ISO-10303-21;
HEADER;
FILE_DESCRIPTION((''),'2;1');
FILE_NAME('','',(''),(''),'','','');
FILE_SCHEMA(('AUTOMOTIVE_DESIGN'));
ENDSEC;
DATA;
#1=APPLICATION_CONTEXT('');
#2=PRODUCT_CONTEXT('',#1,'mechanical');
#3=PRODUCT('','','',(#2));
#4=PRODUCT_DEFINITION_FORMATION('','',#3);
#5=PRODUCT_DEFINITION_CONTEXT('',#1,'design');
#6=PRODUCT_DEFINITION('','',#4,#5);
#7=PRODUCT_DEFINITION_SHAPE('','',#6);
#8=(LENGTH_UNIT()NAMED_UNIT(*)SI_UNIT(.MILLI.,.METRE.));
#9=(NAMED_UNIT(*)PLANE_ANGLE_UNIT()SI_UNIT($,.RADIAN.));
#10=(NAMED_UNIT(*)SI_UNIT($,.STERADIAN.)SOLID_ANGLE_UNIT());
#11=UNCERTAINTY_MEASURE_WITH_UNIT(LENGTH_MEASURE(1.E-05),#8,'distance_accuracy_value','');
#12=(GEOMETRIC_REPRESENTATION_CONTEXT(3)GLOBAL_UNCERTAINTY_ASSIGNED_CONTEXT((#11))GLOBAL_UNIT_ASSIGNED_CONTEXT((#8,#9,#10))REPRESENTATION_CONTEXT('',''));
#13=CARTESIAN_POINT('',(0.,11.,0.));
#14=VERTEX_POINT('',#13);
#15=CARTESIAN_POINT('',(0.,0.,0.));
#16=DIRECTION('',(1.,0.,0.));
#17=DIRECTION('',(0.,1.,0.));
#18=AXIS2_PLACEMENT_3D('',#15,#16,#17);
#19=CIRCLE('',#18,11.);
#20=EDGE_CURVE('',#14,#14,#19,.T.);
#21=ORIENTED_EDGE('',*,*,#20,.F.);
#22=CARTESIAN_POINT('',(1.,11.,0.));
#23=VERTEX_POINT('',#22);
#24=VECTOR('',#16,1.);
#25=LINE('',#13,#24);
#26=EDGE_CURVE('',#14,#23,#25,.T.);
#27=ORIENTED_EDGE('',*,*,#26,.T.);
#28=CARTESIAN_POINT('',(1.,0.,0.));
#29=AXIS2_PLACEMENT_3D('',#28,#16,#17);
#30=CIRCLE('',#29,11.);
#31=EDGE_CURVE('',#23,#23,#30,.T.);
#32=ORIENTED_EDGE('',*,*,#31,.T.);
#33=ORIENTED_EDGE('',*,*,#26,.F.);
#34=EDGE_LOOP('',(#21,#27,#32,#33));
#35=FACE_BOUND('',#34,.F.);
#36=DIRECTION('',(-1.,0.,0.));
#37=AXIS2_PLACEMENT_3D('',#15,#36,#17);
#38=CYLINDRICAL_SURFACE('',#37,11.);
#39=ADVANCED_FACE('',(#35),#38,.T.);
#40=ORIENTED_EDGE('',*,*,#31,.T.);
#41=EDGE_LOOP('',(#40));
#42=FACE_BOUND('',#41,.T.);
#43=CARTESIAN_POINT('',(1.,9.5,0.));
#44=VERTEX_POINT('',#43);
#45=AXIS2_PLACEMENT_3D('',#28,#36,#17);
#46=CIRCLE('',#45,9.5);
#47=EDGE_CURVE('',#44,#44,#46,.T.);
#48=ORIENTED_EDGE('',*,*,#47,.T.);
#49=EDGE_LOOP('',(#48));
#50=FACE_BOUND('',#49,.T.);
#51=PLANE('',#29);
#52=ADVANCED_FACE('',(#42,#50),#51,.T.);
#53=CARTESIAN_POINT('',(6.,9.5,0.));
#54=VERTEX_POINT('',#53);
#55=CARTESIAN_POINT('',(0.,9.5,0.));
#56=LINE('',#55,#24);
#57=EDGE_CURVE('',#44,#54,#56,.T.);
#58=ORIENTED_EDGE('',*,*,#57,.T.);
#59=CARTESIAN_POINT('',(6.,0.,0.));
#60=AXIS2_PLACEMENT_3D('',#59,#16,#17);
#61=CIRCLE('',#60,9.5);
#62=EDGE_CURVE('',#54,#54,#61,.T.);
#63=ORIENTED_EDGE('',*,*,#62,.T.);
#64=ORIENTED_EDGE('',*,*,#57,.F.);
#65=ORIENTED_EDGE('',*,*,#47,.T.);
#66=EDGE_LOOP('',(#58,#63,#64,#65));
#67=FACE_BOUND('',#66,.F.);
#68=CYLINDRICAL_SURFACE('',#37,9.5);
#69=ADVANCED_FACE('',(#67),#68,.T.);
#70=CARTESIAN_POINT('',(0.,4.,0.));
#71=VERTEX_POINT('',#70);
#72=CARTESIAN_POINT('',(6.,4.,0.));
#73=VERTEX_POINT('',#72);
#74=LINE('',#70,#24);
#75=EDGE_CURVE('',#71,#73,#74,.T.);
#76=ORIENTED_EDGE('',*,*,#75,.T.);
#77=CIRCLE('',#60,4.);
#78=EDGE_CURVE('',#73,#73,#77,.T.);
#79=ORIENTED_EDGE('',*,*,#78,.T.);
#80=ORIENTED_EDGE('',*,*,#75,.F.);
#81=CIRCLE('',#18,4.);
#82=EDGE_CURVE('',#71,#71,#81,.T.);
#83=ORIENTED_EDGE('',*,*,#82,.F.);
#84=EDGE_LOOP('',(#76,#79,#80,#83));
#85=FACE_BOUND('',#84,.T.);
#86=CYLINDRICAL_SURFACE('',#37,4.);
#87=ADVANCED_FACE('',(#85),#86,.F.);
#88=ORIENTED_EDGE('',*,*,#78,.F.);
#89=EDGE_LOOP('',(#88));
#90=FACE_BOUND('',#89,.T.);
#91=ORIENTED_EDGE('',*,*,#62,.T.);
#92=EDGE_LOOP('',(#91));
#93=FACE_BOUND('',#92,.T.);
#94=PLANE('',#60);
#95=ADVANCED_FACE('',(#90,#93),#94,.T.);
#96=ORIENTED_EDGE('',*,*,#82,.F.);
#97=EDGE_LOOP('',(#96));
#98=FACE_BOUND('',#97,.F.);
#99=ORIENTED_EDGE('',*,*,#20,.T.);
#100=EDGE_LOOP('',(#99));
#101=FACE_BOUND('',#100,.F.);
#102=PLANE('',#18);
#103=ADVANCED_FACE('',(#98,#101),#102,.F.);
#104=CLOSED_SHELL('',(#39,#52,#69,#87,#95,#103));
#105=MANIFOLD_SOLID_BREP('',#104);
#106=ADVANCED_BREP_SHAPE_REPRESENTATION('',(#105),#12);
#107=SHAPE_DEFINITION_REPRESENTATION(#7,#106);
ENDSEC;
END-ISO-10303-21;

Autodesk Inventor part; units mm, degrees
ref_plane "YZ Plane" through (0, 0, 0) normal (1, 0, 0) x (0, 1, 0)
ref_plane "XZ Plane" through (0, 0, 0) normal (0, 1, 0) x (-1, 0, 0)
ref_plane "XY Plane" through (0, 0, 0) normal (0, 0, 1) x (1, 0, 0)
sketch "Sketch1" plane through (0, 0, 0) normal (1, 0, 0) x (0, 1, 0)
  circle A0 centre (0, 0) radius 11
  circle A1 centre (0, 0) radius 4
  dimension "d0" = 22
  dimension "d1" = 8
extrude "Extrusion1" add sketch "Sketch1" along normal blind 1
sketch "Sketch2" plane through (0, 0, 0) normal (1, 0, 0) x (0, 1, 0)
  circle A0 centre (0, 0) radius 9.5
  circle A1 centre (0, 0) radius 4
  dimension "d4" = 19
  dimension "d5" = 8
extrude "Extrusion2" add sketch "Sketch2" along normal blind 6
properties part number "8mmBearing"
